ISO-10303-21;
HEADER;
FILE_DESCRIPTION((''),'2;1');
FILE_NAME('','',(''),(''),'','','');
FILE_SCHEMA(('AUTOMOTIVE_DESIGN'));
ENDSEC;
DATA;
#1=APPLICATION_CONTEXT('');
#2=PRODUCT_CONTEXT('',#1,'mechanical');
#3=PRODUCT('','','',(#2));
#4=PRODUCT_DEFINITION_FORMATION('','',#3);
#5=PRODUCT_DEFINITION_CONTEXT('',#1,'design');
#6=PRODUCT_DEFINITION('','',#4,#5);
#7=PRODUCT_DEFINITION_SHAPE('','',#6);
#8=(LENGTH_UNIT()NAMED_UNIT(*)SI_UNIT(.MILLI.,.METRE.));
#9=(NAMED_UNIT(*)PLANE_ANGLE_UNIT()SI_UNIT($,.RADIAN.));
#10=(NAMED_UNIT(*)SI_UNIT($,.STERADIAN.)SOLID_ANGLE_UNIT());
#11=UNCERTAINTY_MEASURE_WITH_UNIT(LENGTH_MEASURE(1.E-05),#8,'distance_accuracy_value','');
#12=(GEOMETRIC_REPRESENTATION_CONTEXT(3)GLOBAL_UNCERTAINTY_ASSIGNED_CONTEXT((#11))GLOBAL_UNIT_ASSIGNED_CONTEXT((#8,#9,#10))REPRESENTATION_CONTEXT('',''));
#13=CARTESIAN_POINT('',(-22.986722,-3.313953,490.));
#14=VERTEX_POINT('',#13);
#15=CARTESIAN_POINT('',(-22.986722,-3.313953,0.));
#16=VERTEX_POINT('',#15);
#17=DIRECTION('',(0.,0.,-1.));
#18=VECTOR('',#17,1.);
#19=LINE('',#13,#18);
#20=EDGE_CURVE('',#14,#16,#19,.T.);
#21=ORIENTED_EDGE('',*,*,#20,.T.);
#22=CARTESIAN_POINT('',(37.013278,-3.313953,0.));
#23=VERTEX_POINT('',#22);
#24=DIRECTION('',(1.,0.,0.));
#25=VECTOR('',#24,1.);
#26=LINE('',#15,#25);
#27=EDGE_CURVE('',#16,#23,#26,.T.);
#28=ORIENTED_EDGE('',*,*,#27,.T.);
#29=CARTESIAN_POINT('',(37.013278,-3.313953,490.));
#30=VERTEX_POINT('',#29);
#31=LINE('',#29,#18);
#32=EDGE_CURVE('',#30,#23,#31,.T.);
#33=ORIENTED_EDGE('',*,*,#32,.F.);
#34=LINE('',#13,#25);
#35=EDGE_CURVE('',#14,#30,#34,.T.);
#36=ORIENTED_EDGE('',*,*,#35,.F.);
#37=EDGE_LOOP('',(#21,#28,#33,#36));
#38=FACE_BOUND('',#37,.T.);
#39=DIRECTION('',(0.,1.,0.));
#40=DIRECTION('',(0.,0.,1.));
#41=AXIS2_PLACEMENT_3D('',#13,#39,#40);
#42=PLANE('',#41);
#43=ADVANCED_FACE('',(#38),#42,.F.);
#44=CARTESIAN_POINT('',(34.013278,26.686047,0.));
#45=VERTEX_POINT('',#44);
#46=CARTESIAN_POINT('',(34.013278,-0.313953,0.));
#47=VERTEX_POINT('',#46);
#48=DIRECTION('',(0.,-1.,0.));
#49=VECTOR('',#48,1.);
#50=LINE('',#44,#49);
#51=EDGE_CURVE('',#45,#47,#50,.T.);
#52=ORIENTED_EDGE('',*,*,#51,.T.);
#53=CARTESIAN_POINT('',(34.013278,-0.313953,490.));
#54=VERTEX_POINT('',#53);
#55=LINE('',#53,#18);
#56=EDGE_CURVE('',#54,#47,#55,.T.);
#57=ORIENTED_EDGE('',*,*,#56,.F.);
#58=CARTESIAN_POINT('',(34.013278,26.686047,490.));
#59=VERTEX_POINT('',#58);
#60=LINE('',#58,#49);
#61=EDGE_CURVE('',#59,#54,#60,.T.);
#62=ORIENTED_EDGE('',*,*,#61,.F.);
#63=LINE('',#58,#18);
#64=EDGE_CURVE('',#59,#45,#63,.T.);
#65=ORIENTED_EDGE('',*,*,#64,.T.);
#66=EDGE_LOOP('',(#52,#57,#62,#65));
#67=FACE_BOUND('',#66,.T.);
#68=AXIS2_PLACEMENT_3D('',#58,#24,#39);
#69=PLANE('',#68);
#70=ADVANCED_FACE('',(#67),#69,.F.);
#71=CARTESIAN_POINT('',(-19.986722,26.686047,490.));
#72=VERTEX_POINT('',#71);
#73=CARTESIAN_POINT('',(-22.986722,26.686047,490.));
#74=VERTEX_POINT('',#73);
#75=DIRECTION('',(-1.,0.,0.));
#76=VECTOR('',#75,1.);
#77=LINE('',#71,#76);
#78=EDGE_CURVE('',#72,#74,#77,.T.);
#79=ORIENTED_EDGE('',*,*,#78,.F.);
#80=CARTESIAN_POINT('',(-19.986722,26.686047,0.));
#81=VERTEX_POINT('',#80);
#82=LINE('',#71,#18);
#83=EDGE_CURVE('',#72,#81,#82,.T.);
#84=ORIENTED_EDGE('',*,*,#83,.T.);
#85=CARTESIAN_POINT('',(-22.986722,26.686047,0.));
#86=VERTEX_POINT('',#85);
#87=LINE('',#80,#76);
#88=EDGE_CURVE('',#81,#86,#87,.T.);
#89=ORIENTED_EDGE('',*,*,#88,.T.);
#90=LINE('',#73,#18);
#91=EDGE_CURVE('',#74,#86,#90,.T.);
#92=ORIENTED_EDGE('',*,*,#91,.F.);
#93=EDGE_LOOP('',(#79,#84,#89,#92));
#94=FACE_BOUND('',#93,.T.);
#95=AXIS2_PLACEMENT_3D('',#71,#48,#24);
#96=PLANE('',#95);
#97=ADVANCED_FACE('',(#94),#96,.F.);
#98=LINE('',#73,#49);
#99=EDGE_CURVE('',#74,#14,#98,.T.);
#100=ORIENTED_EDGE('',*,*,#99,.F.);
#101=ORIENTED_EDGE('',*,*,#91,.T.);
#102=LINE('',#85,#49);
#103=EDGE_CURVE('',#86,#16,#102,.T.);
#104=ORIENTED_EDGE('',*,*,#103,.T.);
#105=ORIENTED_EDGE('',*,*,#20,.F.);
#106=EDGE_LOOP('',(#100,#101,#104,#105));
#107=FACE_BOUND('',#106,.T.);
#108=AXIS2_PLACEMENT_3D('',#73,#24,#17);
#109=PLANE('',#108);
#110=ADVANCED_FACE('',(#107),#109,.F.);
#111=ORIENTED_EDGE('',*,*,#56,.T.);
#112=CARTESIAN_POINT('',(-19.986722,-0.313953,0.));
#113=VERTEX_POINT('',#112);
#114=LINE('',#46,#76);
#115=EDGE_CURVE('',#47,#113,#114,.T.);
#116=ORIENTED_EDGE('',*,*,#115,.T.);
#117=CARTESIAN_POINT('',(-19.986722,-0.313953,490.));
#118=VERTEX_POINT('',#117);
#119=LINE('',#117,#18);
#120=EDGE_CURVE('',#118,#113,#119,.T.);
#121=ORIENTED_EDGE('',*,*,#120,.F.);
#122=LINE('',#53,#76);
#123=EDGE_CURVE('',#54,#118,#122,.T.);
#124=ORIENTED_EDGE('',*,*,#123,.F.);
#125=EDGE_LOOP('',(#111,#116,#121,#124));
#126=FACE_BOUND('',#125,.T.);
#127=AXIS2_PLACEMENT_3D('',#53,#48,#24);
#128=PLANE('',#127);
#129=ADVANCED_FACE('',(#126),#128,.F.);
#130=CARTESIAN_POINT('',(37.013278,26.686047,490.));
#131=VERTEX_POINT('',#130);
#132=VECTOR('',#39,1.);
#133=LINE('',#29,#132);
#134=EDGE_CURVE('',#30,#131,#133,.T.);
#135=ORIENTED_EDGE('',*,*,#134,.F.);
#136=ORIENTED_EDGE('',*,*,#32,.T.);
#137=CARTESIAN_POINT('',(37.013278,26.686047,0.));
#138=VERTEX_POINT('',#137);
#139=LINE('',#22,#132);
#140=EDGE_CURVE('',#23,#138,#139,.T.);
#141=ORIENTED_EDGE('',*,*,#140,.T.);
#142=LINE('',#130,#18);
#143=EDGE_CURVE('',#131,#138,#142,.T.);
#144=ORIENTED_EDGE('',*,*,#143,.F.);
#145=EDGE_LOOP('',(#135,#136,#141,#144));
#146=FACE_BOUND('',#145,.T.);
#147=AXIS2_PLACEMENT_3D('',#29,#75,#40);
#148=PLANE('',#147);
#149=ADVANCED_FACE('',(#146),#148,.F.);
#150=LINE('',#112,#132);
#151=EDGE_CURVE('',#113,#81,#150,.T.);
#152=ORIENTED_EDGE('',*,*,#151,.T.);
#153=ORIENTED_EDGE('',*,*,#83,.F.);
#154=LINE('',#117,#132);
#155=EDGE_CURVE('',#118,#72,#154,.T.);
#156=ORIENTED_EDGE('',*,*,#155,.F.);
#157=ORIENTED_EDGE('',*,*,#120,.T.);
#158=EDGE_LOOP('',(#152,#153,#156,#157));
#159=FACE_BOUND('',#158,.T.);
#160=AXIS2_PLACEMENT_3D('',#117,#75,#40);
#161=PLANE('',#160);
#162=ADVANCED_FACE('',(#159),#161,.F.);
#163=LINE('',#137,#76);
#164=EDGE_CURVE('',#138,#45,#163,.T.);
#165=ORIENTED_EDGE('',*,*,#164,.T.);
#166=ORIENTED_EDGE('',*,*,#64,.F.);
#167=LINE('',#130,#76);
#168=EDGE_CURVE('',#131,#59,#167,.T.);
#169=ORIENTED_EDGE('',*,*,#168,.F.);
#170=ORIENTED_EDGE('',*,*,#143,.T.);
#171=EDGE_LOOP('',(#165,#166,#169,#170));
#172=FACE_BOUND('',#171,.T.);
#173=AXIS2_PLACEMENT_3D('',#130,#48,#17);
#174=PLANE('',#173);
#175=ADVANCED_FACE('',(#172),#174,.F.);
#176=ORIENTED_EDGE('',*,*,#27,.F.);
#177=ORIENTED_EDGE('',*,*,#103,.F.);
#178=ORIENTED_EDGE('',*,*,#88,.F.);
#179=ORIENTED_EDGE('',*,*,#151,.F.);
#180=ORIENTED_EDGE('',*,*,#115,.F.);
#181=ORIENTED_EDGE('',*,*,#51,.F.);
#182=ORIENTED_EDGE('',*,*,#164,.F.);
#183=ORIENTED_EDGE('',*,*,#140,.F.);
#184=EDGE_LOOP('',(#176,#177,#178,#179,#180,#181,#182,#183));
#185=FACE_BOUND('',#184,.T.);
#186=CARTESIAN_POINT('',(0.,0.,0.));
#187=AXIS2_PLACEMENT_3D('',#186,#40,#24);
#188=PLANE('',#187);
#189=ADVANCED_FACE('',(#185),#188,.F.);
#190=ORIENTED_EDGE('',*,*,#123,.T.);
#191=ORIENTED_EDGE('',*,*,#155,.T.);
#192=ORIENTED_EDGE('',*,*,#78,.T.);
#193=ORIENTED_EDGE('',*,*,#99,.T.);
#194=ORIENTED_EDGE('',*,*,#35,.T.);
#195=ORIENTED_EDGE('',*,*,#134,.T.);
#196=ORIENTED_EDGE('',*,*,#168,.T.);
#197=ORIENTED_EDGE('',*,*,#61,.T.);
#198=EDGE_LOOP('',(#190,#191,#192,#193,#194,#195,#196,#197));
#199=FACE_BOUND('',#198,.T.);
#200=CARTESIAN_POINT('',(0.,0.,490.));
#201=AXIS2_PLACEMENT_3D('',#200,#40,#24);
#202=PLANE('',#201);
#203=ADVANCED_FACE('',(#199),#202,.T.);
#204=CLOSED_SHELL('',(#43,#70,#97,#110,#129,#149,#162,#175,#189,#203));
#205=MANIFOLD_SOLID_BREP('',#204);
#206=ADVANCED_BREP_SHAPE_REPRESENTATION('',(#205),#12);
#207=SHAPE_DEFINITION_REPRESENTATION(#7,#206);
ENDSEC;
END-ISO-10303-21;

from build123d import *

# Parameters (mm, degrees)
ESTRUSIONE_ESTRUSIONE1_DEPTH = 490


with BuildPart() as part:
    # Schizzo1 → Estrusione-Estrusione1 (new body)
    with BuildSketch(Plane.XY):
        Polygon((-22.986722187, -3.313953488), (37.013277813, -3.313953488), (37.013277813, 26.686046512), (34.013277813, 26.686046512), (34.013277813, -0.313953488), (-19.986722187, -0.313953488), (-19.986722187, 26.686046512), (-22.986722187, 26.686046512), align=None)
    extrude(amount=ESTRUSIONE_ESTRUSIONE1_DEPTH)


solid = part.part
